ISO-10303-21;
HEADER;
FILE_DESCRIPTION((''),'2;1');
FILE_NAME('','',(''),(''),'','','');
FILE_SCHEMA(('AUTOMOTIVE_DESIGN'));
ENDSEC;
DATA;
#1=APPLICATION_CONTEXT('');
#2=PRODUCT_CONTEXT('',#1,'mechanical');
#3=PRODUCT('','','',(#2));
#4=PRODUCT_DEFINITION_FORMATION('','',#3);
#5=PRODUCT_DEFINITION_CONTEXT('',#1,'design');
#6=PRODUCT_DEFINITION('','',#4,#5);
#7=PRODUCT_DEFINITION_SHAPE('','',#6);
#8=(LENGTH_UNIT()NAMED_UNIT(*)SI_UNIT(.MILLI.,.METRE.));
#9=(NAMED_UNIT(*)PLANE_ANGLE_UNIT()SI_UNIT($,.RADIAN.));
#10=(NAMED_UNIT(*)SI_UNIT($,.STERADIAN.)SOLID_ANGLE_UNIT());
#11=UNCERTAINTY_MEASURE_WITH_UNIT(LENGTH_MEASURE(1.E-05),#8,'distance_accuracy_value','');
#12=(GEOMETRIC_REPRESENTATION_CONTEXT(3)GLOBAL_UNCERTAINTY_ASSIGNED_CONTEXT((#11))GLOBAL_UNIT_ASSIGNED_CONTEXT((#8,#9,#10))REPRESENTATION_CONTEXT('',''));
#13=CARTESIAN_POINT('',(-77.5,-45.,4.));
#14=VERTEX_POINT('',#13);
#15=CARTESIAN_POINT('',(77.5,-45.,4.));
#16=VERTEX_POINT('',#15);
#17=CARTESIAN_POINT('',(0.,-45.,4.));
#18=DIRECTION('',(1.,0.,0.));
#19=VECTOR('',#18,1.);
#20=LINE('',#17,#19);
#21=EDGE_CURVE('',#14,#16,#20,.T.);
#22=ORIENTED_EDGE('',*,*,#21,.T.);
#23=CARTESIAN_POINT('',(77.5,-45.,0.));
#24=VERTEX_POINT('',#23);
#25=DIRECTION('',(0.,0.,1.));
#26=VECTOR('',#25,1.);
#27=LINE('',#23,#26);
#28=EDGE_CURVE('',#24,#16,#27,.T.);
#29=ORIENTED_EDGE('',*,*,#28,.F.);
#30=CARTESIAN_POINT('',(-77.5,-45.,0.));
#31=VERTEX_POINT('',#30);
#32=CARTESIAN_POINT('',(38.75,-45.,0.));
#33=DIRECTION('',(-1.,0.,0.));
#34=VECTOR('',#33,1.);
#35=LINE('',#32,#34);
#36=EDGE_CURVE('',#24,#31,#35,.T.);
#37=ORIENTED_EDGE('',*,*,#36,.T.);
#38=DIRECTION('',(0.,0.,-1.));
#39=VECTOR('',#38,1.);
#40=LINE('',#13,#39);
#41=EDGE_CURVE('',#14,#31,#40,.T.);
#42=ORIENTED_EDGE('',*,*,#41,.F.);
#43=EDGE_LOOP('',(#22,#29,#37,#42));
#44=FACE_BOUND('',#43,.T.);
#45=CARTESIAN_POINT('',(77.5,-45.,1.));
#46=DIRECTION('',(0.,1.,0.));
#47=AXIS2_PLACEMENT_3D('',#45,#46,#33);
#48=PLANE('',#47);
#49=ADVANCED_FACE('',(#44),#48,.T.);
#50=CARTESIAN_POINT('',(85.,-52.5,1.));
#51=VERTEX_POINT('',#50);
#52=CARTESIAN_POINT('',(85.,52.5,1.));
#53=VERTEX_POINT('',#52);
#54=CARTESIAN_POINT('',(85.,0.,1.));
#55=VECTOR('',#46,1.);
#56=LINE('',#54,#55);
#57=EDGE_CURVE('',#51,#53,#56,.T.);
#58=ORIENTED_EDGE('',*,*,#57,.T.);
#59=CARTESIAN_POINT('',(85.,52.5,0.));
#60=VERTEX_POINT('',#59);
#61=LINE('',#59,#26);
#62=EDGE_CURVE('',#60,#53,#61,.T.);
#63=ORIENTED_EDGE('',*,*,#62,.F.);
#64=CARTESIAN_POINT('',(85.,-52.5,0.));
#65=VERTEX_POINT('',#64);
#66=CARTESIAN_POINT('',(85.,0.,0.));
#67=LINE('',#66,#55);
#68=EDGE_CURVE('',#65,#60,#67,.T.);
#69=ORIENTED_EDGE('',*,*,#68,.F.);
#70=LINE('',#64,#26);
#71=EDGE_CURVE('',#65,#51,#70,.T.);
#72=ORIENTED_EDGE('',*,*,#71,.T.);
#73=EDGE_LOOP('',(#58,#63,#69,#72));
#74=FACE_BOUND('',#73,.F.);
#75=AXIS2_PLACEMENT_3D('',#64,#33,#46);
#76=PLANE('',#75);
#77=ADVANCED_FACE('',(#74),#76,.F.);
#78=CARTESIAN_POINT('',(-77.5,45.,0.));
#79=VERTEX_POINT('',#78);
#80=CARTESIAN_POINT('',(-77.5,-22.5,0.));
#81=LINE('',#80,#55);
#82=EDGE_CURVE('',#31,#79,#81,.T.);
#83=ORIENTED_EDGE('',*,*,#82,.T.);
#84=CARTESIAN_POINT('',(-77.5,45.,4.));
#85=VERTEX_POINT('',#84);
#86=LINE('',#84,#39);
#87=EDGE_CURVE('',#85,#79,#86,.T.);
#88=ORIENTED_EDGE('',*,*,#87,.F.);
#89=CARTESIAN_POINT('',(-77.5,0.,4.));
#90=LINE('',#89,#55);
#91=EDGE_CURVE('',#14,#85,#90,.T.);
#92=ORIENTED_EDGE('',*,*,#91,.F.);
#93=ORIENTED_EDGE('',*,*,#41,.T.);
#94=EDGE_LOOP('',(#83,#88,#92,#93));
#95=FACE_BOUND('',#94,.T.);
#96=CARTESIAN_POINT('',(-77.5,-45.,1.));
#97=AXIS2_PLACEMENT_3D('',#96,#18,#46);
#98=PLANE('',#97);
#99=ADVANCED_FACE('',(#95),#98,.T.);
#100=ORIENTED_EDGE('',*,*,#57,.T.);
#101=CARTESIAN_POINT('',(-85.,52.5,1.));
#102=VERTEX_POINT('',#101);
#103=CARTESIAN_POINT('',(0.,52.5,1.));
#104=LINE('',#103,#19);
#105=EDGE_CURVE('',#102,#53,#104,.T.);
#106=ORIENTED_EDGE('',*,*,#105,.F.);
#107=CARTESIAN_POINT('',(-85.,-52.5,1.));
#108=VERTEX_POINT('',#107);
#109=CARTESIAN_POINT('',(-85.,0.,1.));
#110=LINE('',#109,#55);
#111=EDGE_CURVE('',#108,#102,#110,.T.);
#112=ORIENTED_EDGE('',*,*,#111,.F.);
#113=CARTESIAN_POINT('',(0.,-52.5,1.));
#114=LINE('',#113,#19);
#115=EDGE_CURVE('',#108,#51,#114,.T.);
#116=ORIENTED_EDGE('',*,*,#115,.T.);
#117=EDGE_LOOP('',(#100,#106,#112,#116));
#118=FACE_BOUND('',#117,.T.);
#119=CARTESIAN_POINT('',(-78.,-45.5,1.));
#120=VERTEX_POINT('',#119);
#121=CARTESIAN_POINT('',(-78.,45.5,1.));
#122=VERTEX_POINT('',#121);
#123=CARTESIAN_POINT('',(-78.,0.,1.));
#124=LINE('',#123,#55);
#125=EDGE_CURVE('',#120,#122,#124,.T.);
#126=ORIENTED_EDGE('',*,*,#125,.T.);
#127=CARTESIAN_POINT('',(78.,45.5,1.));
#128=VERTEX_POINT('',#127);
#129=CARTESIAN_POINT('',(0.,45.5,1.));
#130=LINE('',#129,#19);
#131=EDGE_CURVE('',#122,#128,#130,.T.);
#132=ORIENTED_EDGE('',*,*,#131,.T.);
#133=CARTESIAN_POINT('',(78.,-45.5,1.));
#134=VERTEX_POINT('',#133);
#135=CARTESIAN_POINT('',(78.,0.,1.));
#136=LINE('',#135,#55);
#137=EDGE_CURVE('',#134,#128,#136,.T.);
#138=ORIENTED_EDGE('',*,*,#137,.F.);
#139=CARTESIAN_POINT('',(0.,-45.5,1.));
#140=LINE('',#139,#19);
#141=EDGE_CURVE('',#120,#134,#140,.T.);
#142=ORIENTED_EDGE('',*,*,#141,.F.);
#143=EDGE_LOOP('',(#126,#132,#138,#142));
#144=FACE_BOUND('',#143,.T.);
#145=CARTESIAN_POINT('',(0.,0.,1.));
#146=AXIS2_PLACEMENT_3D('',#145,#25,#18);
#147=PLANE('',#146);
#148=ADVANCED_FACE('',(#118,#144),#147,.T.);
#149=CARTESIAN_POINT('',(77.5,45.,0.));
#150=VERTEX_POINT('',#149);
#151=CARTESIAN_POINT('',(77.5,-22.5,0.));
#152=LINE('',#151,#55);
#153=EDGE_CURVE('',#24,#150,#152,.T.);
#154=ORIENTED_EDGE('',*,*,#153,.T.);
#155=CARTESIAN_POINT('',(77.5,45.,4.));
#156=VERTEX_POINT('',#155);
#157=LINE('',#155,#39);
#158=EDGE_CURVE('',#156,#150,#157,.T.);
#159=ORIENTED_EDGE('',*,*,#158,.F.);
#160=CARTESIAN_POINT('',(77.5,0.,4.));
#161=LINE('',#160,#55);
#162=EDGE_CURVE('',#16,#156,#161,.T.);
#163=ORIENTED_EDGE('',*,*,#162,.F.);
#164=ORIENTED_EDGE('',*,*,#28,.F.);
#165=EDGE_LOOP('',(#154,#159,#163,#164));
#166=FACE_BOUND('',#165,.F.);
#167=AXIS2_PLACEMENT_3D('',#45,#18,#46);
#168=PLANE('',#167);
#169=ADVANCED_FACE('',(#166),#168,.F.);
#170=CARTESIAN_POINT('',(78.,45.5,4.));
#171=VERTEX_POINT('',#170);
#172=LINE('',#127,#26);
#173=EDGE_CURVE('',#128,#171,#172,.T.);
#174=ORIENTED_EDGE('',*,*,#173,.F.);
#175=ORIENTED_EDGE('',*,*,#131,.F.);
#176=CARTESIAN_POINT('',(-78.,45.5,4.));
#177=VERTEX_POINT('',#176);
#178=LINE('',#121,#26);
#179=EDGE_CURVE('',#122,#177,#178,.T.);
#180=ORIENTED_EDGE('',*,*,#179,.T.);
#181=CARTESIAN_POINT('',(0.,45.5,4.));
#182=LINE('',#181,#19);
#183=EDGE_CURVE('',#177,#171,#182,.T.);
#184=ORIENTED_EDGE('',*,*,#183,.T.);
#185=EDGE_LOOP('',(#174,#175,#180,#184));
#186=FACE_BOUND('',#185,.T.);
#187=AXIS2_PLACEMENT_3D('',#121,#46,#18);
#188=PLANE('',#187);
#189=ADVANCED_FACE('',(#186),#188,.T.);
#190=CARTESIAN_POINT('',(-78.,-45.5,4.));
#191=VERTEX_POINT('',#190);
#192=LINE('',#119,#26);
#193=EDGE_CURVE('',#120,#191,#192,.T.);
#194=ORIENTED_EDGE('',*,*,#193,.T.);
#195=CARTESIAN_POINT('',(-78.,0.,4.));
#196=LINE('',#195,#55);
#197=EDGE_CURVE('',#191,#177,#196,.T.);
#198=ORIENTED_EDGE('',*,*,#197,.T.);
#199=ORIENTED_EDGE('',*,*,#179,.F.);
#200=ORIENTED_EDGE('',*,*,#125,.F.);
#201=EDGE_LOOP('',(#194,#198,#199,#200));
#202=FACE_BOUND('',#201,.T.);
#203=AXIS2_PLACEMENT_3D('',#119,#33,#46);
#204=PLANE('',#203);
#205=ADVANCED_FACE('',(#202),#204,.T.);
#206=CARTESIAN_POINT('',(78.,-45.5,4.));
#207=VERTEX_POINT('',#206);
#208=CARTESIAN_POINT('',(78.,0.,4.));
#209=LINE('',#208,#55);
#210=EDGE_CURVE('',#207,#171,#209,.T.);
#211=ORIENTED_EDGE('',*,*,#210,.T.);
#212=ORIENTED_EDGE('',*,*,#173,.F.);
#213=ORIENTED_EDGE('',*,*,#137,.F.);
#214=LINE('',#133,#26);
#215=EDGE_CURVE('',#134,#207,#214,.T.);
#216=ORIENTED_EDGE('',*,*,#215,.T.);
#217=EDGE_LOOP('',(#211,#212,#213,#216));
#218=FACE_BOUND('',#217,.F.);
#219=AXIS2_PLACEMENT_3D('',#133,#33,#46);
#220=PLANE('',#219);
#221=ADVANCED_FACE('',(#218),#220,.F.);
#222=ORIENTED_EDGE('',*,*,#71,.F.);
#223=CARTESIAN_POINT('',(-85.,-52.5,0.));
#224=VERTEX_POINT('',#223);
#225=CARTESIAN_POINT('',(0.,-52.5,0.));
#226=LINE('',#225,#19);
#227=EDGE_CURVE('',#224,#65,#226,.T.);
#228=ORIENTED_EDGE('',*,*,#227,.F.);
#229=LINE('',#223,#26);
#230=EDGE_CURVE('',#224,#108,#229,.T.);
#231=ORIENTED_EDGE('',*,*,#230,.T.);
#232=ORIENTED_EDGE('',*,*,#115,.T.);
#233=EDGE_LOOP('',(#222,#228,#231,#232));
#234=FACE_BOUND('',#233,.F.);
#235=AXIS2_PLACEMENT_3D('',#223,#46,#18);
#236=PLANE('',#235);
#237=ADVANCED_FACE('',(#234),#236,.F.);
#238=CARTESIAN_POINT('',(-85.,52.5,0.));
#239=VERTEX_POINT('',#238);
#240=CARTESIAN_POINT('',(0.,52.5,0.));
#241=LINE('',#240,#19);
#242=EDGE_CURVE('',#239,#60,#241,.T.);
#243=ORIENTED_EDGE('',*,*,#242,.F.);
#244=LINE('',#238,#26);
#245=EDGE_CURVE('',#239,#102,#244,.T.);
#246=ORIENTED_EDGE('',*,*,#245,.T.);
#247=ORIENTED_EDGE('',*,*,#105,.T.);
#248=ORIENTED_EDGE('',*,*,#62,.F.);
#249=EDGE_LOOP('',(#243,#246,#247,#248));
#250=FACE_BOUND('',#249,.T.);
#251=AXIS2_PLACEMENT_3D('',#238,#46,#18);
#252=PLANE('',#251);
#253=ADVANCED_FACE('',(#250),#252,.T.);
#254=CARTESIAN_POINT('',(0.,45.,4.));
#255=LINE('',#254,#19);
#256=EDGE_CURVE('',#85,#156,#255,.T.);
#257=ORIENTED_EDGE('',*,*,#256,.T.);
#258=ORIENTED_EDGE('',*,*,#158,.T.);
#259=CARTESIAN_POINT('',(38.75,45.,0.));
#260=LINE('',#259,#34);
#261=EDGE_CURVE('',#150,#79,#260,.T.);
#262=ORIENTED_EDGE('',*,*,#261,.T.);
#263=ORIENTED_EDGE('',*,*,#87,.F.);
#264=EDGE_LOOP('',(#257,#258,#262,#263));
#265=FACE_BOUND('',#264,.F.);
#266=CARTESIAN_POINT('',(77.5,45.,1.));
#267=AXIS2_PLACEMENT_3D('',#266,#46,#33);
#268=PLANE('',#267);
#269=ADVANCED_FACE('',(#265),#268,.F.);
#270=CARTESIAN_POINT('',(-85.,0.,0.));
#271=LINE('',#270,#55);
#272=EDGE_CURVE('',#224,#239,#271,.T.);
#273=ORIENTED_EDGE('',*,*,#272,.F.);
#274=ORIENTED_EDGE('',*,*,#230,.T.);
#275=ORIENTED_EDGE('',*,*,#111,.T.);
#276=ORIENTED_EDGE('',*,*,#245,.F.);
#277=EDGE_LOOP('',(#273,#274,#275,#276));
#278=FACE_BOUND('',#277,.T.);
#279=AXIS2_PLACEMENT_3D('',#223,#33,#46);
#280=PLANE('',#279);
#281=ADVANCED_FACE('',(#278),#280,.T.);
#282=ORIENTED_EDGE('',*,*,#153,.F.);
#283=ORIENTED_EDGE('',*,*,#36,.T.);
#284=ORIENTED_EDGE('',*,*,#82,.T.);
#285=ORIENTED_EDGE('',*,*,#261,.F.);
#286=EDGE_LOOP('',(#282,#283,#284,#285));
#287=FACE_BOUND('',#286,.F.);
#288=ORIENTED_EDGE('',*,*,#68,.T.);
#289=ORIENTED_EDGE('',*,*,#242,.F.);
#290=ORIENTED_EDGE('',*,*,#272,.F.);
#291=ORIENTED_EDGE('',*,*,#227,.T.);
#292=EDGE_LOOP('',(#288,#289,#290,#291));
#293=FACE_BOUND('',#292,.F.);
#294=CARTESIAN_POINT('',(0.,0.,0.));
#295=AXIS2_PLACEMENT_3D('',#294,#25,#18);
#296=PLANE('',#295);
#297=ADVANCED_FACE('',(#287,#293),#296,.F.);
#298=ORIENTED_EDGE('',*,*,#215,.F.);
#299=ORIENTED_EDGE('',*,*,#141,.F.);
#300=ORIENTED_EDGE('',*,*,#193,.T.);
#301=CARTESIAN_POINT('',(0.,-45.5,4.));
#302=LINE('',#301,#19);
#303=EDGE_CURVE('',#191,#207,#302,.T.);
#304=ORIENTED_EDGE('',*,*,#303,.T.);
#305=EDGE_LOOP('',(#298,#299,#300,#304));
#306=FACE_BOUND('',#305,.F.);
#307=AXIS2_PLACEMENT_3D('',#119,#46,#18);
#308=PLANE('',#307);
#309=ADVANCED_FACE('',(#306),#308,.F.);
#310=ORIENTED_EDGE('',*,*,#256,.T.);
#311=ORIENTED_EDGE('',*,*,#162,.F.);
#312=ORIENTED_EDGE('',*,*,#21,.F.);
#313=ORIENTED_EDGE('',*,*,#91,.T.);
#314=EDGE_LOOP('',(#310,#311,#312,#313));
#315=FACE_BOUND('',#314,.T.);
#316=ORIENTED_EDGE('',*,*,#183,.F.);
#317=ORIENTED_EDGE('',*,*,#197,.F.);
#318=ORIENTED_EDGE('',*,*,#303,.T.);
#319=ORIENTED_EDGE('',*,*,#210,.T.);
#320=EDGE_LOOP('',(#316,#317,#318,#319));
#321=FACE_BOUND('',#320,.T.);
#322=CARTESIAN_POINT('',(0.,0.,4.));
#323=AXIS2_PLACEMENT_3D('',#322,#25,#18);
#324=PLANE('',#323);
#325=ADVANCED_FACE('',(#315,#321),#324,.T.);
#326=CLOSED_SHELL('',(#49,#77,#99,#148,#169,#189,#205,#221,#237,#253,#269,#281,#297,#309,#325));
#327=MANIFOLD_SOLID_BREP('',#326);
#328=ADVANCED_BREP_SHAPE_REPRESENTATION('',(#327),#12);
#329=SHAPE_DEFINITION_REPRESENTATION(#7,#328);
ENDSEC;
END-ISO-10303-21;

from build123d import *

# Parameters (mm, degrees)
SKETCH_W        = 170
SKETCH_H        = 105
PAD_DEPTH       = 1
SKETCH001_W     = 156
SKETCH001_H     = 91
SKETCH001_W_2   = 155
SKETCH001_H_2   = 90
PAD001_DEPTH    = 3
PAD001_FACE16_W = 90
PAD001_FACE16_H = 155
POCKET_DEPTH    = 5


with BuildPart() as part:
    # Sketch → Pad (new body)
    with BuildSketch(Plane.XY):
        Rectangle(SKETCH_W, SKETCH_H)
    extrude(amount=PAD_DEPTH)

    # Sketch001 (on Face6 of Pad) → Pad001 (join)
    with BuildSketch(Plane.XY.offset(1)):
        Rectangle(SKETCH001_W, SKETCH001_H)
        Rectangle(SKETCH001_W_2, SKETCH001_H_2, mode=Mode.SUBTRACT)
    extrude(amount=PAD001_DEPTH)

    # Pad001 Face16 → Pocket (cut)
    with BuildSketch(Plane(origin=(0, 0, 1), x_dir=(0, 1, 0), z_dir=(0, 0, 1))):
        Rectangle(PAD001_FACE16_W, PAD001_FACE16_H)
    extrude(amount=-POCKET_DEPTH, mode=Mode.SUBTRACT)


solid = part.part
